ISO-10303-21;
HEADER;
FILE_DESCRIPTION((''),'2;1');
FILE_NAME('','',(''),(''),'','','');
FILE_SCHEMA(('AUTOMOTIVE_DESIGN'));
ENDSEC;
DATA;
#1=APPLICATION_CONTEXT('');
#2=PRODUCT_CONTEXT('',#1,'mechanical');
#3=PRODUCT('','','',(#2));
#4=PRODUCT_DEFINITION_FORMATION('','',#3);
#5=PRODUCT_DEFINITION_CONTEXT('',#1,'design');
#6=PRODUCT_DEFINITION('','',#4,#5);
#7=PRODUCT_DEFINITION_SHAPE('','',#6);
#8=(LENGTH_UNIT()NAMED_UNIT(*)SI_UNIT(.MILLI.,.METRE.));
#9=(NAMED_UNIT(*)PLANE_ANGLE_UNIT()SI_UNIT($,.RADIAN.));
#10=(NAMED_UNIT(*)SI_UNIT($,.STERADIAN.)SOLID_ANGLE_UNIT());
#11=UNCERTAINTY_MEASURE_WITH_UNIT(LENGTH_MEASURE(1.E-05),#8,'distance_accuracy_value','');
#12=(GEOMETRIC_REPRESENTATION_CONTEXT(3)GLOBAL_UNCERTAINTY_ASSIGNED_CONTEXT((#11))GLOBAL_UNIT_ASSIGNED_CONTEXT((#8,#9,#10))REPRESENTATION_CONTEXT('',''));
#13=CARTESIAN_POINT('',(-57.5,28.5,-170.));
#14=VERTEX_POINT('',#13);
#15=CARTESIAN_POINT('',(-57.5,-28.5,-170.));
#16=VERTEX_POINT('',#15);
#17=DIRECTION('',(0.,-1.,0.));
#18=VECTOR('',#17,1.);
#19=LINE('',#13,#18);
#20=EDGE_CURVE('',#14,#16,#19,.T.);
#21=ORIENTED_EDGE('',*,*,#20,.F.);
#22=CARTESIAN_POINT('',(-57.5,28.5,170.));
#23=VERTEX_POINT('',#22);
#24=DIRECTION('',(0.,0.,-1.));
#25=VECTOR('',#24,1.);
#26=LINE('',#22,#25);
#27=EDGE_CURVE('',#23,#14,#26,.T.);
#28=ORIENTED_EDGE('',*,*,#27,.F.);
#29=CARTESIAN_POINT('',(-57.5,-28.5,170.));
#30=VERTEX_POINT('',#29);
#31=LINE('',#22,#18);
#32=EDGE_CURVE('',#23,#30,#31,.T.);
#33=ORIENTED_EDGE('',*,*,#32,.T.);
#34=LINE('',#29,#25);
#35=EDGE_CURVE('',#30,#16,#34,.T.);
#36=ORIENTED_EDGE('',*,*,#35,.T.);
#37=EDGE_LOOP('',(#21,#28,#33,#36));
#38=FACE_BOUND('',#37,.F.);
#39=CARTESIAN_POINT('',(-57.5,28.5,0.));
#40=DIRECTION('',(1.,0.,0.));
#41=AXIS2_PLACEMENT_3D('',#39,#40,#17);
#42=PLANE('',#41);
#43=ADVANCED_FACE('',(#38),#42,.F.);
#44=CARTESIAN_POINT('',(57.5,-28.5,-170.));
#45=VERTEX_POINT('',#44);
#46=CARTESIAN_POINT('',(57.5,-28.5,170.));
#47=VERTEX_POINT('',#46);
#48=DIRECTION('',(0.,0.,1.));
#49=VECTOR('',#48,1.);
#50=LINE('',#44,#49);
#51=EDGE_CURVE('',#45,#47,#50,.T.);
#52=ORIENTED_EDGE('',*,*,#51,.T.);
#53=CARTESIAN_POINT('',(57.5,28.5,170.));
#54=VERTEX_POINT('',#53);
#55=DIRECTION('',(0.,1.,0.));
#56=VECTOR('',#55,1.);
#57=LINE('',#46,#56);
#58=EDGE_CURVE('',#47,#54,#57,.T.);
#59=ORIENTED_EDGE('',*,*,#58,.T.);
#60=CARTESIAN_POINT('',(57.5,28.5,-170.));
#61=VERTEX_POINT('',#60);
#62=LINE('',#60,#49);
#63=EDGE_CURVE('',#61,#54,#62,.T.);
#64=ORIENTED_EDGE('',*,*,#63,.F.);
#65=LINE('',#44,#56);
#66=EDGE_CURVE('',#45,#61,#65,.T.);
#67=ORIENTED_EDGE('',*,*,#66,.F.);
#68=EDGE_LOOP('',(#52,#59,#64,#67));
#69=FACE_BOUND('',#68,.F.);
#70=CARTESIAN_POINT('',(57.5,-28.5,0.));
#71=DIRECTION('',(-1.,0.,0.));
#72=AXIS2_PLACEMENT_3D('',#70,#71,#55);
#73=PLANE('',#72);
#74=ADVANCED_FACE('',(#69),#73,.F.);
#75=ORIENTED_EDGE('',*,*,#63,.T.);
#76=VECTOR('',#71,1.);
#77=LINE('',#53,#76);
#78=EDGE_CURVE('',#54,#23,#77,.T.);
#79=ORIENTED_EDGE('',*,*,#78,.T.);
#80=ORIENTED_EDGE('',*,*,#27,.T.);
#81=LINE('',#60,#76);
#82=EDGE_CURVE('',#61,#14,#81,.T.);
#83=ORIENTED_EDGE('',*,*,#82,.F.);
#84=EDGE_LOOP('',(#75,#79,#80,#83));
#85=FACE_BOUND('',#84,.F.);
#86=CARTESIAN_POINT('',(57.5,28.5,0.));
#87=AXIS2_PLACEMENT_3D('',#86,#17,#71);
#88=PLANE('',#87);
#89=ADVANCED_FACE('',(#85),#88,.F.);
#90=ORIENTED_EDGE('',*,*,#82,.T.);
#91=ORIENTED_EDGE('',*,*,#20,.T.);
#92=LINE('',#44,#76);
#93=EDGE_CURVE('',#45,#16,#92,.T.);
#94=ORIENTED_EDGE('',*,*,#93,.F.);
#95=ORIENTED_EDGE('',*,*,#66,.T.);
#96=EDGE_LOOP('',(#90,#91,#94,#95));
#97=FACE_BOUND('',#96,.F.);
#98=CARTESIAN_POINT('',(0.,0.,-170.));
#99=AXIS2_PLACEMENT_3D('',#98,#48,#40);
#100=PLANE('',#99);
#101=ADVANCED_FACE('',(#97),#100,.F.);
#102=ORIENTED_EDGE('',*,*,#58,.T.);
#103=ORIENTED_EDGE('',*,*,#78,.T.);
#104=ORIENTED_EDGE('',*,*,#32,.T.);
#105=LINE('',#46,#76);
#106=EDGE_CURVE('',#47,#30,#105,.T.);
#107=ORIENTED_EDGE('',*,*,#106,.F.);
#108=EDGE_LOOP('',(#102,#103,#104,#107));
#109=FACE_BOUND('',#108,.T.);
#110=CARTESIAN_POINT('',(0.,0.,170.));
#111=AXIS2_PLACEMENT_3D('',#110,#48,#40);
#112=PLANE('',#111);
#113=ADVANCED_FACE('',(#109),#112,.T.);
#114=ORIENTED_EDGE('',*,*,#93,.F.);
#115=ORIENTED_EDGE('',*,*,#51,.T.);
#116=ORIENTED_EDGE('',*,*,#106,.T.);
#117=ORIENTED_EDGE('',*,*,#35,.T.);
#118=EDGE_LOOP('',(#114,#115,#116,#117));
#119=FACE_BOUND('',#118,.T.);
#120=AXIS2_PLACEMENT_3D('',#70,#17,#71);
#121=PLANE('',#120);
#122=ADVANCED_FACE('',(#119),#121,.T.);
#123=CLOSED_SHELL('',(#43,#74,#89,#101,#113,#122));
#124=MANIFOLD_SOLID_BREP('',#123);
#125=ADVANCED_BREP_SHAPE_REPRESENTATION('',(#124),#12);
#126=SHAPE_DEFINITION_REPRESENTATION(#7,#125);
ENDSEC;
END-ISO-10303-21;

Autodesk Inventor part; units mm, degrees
ref_plane "YZ Plane" through (0, 0, 0) normal (1, 0, 0) x (0, 1, 0)
ref_plane "XZ Plane" through (0, 0, 0) normal (0, 1, 0) x (-1, 0, 0)
ref_plane "XY Plane" through (0, 0, 0) normal (0, 0, 1) x (1, 0, 0)
sketch "Sketch5" plane through (0, 0, 0) normal (0, 0, 1) x (1, 0, 0)
  line L0 (57.5, -28.5) -> (57.5, 28.5)
  line L1 (57.5, -28.5) -> (-57.5, -28.5)
  line L2 (-57.5, 28.5) -> (-57.5, -28.5)
  line L3 (57.5, 28.5) -> (-57.5, 28.5)
  circle A0 centre (0, 0) radius 0.4469 construction
  point P0 (0, -28.5)
  point P1 (57.5, 0)
  dimension "d24" = 57
  dimension "d43" = 115
extrude "Extrusion5" add sketch "Sketch5" along normal mid plane 340
properties part number "BLANK-BC-10003-A-B" material "Aço Carbono"
